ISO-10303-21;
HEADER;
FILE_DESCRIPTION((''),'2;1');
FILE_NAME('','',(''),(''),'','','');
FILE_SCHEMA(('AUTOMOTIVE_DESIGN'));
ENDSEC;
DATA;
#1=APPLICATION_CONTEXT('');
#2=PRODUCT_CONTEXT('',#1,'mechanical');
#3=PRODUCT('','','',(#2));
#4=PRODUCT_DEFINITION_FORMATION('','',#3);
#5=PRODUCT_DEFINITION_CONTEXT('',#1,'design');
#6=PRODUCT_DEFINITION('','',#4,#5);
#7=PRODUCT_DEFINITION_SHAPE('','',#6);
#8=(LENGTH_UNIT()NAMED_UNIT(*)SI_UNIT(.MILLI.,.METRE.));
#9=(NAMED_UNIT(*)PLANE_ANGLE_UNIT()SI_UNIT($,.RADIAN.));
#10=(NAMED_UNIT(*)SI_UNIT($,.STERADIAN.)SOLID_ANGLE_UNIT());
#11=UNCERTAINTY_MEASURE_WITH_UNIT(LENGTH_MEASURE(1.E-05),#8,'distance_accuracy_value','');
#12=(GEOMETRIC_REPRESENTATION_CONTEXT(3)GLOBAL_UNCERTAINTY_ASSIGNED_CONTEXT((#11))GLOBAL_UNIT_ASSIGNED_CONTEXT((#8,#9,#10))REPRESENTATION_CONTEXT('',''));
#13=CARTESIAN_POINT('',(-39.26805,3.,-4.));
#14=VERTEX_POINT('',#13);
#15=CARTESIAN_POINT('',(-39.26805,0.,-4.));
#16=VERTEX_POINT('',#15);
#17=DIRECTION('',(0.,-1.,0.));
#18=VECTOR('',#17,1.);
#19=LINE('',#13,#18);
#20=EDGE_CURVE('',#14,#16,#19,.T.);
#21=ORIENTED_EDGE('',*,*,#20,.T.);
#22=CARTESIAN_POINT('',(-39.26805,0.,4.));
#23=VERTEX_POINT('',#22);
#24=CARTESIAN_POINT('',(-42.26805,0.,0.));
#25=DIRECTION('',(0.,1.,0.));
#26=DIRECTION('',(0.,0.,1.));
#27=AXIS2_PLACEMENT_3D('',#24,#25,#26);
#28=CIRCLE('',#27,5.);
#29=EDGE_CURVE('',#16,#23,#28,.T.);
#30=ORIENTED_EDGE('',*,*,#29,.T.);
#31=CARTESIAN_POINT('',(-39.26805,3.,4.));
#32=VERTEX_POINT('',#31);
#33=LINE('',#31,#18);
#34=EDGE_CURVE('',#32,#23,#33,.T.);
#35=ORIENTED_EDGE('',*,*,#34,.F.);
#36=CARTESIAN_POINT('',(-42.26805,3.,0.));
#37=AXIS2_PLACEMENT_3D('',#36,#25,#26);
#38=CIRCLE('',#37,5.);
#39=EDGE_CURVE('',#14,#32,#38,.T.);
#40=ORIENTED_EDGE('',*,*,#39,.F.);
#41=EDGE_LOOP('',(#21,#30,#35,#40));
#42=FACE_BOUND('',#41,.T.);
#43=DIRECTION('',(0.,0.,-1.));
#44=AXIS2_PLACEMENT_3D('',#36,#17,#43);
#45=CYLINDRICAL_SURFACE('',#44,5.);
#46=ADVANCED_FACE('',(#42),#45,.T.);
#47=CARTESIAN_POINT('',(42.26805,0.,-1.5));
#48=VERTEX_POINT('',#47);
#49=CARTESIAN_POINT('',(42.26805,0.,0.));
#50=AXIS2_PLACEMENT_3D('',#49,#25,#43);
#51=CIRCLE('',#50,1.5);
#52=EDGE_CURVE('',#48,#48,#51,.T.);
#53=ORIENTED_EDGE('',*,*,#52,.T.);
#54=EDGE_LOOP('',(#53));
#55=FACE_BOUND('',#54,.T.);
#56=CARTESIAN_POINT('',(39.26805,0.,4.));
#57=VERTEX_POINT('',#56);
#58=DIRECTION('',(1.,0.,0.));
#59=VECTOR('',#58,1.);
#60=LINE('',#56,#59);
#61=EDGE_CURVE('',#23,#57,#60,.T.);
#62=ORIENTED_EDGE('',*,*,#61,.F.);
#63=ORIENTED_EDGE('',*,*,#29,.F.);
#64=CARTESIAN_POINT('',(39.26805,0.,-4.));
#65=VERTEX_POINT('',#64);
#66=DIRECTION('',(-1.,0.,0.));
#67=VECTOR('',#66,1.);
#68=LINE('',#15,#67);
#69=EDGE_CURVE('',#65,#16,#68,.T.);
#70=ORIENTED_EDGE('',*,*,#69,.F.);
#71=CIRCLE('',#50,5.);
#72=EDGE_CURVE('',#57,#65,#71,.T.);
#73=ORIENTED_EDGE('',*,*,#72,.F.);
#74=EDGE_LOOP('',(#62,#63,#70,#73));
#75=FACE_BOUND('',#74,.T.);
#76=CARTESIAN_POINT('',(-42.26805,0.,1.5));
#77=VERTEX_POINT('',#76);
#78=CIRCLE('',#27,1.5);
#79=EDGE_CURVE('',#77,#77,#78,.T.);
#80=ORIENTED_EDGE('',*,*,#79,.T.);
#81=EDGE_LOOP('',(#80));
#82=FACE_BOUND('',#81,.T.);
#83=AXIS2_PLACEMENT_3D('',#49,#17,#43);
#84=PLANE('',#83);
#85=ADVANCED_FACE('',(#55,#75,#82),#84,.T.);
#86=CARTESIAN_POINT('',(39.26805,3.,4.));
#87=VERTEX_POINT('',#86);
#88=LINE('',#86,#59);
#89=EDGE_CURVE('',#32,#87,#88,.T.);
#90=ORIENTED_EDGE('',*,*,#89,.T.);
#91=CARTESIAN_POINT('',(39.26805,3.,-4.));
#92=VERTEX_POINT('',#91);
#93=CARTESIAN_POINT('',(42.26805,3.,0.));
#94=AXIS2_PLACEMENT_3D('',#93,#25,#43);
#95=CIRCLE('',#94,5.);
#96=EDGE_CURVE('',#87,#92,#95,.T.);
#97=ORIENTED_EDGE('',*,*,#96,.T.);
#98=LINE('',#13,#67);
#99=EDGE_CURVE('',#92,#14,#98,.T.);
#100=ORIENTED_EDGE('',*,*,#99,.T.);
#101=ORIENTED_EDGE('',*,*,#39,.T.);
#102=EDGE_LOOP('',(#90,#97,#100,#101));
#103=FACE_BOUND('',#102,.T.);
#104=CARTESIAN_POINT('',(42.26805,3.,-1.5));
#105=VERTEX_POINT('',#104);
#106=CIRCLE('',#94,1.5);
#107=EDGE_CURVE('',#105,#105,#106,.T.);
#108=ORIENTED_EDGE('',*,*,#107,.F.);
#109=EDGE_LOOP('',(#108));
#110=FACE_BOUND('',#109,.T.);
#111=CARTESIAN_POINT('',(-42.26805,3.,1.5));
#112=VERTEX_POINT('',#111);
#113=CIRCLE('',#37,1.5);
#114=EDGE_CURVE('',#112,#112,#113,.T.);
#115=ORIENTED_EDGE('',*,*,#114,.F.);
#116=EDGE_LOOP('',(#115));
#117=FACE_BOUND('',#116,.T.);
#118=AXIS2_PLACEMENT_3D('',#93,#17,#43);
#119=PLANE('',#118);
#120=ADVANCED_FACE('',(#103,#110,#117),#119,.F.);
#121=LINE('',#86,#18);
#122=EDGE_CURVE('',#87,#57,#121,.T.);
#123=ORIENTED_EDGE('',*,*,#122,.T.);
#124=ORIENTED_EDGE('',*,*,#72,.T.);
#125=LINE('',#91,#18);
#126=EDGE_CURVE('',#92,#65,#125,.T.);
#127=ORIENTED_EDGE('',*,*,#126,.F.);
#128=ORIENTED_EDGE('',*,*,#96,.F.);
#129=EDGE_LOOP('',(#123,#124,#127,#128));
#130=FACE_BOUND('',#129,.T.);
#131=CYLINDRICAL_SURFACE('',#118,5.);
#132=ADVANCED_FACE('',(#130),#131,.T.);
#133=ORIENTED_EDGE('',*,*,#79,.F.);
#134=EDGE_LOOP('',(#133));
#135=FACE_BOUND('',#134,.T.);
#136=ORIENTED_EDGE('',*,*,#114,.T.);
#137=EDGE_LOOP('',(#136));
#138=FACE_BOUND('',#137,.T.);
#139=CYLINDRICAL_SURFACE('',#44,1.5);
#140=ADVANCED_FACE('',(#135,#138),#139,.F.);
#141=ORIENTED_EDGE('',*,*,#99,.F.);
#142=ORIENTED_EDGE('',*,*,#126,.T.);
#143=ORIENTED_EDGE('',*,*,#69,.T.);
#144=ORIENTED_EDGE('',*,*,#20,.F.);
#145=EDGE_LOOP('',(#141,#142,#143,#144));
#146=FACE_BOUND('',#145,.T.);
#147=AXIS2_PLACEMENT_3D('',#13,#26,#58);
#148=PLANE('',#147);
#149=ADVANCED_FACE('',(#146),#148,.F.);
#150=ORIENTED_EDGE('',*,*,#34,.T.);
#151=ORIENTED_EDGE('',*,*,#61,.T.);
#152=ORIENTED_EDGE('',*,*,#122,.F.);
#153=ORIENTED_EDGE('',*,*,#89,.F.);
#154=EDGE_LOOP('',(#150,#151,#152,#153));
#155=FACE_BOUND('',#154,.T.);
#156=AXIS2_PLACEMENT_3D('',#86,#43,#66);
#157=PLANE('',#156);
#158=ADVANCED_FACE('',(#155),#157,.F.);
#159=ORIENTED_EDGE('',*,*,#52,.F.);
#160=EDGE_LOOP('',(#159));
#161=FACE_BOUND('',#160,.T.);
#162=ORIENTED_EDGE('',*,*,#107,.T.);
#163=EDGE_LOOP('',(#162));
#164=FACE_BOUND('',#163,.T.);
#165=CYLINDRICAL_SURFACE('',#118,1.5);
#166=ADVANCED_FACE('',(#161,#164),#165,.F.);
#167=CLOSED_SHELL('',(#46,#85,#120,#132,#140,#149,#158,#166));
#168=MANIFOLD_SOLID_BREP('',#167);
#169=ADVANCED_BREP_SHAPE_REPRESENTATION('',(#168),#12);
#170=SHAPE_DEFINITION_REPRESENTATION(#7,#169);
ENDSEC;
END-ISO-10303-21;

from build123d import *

# Parameters (mm, degrees)
CROQUIS1_R              = 1.5
SALIENTE_EXTRUIR1_DEPTH = 3


with BuildPart() as part:
    # Croquis1 → Saliente-Extruir1 (new body)
    with BuildSketch(Plane(origin=(0, 0, 0), x_dir=(1, 0, 0), z_dir=(0, 1, 0))):
        with BuildLine():
            Line((-39.26805, 4), (39.26805, 4))
            ThreePointArc((39.26805, 4), (47.26805, 0), (39.26805, -4))
            Line((39.26805, -4), (-39.26805, -4))
            ThreePointArc((-39.26805, -4), (-47.26805, 0), (-39.26805, 4))
        make_face()
        with Locations(Location((-42.26805, 0, 0), (0, 0, 270))):
            Circle(CROQUIS1_R, mode=Mode.SUBTRACT)
        with Locations(Location((42.26805, 0, 0), (0, 0, 90))):
            Circle(CROQUIS1_R, mode=Mode.SUBTRACT)
    extrude(amount=SALIENTE_EXTRUIR1_DEPTH)


solid = part.part
